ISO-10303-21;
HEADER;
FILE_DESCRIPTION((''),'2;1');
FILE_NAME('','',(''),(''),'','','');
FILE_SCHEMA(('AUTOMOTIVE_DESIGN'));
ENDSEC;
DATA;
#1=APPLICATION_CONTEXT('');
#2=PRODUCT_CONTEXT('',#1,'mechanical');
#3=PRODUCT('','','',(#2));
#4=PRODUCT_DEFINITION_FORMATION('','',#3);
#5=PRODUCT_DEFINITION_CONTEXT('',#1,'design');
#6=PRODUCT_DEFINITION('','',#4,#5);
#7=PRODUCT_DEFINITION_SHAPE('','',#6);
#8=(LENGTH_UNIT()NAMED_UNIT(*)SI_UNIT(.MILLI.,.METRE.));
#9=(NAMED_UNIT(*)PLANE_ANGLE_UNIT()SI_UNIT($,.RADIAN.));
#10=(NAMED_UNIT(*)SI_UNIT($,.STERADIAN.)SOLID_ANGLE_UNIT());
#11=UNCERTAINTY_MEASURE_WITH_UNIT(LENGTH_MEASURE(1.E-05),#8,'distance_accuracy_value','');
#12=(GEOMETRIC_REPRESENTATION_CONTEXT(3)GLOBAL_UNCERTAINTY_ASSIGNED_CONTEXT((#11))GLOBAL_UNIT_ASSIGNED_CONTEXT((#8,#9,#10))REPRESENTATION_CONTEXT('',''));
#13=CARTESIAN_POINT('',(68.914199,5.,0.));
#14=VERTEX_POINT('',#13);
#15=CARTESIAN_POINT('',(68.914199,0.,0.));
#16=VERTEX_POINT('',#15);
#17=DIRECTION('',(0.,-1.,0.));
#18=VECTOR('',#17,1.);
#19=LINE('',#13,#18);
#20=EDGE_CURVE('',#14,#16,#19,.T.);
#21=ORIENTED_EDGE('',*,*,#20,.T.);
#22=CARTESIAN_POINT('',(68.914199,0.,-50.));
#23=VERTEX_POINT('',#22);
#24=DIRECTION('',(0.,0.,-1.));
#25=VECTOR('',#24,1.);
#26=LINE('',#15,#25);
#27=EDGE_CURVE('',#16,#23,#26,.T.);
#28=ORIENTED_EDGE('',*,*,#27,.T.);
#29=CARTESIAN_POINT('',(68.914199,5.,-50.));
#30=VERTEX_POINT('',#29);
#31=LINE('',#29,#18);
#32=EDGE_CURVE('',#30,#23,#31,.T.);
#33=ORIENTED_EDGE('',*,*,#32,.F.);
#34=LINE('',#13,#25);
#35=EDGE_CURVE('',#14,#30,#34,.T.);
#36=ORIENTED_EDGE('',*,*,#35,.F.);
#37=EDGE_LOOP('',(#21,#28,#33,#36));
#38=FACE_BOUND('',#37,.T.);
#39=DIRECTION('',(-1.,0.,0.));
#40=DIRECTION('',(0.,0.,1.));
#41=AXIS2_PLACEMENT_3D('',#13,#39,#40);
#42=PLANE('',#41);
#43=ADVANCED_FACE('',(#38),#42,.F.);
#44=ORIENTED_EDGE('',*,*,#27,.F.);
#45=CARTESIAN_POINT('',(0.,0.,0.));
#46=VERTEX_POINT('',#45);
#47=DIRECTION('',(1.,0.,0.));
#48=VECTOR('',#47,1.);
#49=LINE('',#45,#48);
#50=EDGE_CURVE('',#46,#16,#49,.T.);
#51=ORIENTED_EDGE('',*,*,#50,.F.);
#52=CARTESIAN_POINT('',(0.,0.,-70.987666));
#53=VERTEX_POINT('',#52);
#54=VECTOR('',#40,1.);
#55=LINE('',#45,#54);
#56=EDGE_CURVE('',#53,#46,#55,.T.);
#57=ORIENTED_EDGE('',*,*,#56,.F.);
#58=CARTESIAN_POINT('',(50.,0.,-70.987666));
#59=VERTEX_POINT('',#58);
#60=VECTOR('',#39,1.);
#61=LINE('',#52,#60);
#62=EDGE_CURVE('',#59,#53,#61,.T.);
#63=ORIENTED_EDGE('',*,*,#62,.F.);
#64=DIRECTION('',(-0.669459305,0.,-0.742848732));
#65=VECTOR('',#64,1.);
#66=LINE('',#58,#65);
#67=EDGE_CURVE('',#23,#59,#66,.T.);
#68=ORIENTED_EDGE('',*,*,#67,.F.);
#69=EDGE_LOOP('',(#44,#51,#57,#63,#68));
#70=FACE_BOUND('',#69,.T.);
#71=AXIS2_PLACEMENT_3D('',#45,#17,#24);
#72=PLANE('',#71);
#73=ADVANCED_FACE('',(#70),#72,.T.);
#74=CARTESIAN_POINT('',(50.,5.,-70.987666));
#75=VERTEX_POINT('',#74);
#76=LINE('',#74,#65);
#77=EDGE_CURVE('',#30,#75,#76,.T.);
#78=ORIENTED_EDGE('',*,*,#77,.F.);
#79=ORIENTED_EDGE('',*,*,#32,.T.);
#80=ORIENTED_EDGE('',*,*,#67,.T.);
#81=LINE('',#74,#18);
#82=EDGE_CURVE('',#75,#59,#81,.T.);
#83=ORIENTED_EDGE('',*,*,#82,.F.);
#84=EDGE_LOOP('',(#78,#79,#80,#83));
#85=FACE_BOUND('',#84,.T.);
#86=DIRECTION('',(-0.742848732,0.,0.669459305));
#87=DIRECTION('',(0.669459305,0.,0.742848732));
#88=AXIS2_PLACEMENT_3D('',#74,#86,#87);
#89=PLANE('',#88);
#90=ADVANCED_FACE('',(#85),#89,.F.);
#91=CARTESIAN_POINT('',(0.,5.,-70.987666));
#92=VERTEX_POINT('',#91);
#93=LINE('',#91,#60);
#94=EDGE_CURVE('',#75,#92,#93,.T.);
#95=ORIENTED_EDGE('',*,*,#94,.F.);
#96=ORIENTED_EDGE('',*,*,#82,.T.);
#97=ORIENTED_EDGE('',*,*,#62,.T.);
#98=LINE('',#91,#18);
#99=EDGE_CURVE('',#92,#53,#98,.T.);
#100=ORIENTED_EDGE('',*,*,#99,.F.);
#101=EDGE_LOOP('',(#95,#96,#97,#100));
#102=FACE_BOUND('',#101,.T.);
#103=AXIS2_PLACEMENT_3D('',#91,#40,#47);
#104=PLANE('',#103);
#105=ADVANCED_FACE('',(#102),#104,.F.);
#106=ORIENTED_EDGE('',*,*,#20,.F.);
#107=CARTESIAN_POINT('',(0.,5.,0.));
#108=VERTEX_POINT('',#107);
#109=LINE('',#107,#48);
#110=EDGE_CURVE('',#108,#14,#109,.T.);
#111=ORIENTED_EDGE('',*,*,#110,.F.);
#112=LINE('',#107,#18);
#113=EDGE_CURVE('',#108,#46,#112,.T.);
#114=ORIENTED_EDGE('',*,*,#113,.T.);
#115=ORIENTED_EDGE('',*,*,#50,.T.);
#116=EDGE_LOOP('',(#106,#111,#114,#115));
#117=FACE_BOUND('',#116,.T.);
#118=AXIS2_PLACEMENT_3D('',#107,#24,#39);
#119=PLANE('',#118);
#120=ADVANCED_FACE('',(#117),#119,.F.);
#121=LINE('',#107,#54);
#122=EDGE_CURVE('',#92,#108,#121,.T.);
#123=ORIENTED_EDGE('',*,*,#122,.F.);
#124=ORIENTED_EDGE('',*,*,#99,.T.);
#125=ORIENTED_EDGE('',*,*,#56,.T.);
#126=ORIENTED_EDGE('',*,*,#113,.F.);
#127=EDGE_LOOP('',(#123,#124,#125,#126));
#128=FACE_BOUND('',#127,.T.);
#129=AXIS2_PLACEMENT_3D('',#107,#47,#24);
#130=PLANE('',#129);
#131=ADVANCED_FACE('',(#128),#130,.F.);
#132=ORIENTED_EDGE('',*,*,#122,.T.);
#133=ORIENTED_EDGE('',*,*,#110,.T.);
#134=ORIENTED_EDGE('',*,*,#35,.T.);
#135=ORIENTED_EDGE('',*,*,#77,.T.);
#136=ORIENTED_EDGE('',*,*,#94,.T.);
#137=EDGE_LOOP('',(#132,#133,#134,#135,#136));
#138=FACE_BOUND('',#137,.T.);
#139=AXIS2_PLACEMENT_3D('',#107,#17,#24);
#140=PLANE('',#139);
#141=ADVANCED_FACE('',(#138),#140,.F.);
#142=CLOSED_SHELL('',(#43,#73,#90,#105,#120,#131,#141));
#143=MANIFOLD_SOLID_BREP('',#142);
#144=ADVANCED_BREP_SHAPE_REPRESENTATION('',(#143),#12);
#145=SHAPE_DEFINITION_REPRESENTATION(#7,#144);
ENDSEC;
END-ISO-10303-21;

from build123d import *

# Parameters (mm, degrees)
EXTRUDE_1_DEPTH = 5


with BuildPart() as part:
    # Эскиз1 → Бобышка-Вытянуть1 (new body)
    with BuildSketch(Plane(origin=(0, 0, 0), x_dir=(1, 0, 0), z_dir=(0, 1, 0))):
        Polygon((0, 0), (68.914198713, 0), (68.914198713, 50), (50, 70.987666378), (0, 70.987666378), align=None)
    extrude(amount=EXTRUDE_1_DEPTH)


solid = part.part
